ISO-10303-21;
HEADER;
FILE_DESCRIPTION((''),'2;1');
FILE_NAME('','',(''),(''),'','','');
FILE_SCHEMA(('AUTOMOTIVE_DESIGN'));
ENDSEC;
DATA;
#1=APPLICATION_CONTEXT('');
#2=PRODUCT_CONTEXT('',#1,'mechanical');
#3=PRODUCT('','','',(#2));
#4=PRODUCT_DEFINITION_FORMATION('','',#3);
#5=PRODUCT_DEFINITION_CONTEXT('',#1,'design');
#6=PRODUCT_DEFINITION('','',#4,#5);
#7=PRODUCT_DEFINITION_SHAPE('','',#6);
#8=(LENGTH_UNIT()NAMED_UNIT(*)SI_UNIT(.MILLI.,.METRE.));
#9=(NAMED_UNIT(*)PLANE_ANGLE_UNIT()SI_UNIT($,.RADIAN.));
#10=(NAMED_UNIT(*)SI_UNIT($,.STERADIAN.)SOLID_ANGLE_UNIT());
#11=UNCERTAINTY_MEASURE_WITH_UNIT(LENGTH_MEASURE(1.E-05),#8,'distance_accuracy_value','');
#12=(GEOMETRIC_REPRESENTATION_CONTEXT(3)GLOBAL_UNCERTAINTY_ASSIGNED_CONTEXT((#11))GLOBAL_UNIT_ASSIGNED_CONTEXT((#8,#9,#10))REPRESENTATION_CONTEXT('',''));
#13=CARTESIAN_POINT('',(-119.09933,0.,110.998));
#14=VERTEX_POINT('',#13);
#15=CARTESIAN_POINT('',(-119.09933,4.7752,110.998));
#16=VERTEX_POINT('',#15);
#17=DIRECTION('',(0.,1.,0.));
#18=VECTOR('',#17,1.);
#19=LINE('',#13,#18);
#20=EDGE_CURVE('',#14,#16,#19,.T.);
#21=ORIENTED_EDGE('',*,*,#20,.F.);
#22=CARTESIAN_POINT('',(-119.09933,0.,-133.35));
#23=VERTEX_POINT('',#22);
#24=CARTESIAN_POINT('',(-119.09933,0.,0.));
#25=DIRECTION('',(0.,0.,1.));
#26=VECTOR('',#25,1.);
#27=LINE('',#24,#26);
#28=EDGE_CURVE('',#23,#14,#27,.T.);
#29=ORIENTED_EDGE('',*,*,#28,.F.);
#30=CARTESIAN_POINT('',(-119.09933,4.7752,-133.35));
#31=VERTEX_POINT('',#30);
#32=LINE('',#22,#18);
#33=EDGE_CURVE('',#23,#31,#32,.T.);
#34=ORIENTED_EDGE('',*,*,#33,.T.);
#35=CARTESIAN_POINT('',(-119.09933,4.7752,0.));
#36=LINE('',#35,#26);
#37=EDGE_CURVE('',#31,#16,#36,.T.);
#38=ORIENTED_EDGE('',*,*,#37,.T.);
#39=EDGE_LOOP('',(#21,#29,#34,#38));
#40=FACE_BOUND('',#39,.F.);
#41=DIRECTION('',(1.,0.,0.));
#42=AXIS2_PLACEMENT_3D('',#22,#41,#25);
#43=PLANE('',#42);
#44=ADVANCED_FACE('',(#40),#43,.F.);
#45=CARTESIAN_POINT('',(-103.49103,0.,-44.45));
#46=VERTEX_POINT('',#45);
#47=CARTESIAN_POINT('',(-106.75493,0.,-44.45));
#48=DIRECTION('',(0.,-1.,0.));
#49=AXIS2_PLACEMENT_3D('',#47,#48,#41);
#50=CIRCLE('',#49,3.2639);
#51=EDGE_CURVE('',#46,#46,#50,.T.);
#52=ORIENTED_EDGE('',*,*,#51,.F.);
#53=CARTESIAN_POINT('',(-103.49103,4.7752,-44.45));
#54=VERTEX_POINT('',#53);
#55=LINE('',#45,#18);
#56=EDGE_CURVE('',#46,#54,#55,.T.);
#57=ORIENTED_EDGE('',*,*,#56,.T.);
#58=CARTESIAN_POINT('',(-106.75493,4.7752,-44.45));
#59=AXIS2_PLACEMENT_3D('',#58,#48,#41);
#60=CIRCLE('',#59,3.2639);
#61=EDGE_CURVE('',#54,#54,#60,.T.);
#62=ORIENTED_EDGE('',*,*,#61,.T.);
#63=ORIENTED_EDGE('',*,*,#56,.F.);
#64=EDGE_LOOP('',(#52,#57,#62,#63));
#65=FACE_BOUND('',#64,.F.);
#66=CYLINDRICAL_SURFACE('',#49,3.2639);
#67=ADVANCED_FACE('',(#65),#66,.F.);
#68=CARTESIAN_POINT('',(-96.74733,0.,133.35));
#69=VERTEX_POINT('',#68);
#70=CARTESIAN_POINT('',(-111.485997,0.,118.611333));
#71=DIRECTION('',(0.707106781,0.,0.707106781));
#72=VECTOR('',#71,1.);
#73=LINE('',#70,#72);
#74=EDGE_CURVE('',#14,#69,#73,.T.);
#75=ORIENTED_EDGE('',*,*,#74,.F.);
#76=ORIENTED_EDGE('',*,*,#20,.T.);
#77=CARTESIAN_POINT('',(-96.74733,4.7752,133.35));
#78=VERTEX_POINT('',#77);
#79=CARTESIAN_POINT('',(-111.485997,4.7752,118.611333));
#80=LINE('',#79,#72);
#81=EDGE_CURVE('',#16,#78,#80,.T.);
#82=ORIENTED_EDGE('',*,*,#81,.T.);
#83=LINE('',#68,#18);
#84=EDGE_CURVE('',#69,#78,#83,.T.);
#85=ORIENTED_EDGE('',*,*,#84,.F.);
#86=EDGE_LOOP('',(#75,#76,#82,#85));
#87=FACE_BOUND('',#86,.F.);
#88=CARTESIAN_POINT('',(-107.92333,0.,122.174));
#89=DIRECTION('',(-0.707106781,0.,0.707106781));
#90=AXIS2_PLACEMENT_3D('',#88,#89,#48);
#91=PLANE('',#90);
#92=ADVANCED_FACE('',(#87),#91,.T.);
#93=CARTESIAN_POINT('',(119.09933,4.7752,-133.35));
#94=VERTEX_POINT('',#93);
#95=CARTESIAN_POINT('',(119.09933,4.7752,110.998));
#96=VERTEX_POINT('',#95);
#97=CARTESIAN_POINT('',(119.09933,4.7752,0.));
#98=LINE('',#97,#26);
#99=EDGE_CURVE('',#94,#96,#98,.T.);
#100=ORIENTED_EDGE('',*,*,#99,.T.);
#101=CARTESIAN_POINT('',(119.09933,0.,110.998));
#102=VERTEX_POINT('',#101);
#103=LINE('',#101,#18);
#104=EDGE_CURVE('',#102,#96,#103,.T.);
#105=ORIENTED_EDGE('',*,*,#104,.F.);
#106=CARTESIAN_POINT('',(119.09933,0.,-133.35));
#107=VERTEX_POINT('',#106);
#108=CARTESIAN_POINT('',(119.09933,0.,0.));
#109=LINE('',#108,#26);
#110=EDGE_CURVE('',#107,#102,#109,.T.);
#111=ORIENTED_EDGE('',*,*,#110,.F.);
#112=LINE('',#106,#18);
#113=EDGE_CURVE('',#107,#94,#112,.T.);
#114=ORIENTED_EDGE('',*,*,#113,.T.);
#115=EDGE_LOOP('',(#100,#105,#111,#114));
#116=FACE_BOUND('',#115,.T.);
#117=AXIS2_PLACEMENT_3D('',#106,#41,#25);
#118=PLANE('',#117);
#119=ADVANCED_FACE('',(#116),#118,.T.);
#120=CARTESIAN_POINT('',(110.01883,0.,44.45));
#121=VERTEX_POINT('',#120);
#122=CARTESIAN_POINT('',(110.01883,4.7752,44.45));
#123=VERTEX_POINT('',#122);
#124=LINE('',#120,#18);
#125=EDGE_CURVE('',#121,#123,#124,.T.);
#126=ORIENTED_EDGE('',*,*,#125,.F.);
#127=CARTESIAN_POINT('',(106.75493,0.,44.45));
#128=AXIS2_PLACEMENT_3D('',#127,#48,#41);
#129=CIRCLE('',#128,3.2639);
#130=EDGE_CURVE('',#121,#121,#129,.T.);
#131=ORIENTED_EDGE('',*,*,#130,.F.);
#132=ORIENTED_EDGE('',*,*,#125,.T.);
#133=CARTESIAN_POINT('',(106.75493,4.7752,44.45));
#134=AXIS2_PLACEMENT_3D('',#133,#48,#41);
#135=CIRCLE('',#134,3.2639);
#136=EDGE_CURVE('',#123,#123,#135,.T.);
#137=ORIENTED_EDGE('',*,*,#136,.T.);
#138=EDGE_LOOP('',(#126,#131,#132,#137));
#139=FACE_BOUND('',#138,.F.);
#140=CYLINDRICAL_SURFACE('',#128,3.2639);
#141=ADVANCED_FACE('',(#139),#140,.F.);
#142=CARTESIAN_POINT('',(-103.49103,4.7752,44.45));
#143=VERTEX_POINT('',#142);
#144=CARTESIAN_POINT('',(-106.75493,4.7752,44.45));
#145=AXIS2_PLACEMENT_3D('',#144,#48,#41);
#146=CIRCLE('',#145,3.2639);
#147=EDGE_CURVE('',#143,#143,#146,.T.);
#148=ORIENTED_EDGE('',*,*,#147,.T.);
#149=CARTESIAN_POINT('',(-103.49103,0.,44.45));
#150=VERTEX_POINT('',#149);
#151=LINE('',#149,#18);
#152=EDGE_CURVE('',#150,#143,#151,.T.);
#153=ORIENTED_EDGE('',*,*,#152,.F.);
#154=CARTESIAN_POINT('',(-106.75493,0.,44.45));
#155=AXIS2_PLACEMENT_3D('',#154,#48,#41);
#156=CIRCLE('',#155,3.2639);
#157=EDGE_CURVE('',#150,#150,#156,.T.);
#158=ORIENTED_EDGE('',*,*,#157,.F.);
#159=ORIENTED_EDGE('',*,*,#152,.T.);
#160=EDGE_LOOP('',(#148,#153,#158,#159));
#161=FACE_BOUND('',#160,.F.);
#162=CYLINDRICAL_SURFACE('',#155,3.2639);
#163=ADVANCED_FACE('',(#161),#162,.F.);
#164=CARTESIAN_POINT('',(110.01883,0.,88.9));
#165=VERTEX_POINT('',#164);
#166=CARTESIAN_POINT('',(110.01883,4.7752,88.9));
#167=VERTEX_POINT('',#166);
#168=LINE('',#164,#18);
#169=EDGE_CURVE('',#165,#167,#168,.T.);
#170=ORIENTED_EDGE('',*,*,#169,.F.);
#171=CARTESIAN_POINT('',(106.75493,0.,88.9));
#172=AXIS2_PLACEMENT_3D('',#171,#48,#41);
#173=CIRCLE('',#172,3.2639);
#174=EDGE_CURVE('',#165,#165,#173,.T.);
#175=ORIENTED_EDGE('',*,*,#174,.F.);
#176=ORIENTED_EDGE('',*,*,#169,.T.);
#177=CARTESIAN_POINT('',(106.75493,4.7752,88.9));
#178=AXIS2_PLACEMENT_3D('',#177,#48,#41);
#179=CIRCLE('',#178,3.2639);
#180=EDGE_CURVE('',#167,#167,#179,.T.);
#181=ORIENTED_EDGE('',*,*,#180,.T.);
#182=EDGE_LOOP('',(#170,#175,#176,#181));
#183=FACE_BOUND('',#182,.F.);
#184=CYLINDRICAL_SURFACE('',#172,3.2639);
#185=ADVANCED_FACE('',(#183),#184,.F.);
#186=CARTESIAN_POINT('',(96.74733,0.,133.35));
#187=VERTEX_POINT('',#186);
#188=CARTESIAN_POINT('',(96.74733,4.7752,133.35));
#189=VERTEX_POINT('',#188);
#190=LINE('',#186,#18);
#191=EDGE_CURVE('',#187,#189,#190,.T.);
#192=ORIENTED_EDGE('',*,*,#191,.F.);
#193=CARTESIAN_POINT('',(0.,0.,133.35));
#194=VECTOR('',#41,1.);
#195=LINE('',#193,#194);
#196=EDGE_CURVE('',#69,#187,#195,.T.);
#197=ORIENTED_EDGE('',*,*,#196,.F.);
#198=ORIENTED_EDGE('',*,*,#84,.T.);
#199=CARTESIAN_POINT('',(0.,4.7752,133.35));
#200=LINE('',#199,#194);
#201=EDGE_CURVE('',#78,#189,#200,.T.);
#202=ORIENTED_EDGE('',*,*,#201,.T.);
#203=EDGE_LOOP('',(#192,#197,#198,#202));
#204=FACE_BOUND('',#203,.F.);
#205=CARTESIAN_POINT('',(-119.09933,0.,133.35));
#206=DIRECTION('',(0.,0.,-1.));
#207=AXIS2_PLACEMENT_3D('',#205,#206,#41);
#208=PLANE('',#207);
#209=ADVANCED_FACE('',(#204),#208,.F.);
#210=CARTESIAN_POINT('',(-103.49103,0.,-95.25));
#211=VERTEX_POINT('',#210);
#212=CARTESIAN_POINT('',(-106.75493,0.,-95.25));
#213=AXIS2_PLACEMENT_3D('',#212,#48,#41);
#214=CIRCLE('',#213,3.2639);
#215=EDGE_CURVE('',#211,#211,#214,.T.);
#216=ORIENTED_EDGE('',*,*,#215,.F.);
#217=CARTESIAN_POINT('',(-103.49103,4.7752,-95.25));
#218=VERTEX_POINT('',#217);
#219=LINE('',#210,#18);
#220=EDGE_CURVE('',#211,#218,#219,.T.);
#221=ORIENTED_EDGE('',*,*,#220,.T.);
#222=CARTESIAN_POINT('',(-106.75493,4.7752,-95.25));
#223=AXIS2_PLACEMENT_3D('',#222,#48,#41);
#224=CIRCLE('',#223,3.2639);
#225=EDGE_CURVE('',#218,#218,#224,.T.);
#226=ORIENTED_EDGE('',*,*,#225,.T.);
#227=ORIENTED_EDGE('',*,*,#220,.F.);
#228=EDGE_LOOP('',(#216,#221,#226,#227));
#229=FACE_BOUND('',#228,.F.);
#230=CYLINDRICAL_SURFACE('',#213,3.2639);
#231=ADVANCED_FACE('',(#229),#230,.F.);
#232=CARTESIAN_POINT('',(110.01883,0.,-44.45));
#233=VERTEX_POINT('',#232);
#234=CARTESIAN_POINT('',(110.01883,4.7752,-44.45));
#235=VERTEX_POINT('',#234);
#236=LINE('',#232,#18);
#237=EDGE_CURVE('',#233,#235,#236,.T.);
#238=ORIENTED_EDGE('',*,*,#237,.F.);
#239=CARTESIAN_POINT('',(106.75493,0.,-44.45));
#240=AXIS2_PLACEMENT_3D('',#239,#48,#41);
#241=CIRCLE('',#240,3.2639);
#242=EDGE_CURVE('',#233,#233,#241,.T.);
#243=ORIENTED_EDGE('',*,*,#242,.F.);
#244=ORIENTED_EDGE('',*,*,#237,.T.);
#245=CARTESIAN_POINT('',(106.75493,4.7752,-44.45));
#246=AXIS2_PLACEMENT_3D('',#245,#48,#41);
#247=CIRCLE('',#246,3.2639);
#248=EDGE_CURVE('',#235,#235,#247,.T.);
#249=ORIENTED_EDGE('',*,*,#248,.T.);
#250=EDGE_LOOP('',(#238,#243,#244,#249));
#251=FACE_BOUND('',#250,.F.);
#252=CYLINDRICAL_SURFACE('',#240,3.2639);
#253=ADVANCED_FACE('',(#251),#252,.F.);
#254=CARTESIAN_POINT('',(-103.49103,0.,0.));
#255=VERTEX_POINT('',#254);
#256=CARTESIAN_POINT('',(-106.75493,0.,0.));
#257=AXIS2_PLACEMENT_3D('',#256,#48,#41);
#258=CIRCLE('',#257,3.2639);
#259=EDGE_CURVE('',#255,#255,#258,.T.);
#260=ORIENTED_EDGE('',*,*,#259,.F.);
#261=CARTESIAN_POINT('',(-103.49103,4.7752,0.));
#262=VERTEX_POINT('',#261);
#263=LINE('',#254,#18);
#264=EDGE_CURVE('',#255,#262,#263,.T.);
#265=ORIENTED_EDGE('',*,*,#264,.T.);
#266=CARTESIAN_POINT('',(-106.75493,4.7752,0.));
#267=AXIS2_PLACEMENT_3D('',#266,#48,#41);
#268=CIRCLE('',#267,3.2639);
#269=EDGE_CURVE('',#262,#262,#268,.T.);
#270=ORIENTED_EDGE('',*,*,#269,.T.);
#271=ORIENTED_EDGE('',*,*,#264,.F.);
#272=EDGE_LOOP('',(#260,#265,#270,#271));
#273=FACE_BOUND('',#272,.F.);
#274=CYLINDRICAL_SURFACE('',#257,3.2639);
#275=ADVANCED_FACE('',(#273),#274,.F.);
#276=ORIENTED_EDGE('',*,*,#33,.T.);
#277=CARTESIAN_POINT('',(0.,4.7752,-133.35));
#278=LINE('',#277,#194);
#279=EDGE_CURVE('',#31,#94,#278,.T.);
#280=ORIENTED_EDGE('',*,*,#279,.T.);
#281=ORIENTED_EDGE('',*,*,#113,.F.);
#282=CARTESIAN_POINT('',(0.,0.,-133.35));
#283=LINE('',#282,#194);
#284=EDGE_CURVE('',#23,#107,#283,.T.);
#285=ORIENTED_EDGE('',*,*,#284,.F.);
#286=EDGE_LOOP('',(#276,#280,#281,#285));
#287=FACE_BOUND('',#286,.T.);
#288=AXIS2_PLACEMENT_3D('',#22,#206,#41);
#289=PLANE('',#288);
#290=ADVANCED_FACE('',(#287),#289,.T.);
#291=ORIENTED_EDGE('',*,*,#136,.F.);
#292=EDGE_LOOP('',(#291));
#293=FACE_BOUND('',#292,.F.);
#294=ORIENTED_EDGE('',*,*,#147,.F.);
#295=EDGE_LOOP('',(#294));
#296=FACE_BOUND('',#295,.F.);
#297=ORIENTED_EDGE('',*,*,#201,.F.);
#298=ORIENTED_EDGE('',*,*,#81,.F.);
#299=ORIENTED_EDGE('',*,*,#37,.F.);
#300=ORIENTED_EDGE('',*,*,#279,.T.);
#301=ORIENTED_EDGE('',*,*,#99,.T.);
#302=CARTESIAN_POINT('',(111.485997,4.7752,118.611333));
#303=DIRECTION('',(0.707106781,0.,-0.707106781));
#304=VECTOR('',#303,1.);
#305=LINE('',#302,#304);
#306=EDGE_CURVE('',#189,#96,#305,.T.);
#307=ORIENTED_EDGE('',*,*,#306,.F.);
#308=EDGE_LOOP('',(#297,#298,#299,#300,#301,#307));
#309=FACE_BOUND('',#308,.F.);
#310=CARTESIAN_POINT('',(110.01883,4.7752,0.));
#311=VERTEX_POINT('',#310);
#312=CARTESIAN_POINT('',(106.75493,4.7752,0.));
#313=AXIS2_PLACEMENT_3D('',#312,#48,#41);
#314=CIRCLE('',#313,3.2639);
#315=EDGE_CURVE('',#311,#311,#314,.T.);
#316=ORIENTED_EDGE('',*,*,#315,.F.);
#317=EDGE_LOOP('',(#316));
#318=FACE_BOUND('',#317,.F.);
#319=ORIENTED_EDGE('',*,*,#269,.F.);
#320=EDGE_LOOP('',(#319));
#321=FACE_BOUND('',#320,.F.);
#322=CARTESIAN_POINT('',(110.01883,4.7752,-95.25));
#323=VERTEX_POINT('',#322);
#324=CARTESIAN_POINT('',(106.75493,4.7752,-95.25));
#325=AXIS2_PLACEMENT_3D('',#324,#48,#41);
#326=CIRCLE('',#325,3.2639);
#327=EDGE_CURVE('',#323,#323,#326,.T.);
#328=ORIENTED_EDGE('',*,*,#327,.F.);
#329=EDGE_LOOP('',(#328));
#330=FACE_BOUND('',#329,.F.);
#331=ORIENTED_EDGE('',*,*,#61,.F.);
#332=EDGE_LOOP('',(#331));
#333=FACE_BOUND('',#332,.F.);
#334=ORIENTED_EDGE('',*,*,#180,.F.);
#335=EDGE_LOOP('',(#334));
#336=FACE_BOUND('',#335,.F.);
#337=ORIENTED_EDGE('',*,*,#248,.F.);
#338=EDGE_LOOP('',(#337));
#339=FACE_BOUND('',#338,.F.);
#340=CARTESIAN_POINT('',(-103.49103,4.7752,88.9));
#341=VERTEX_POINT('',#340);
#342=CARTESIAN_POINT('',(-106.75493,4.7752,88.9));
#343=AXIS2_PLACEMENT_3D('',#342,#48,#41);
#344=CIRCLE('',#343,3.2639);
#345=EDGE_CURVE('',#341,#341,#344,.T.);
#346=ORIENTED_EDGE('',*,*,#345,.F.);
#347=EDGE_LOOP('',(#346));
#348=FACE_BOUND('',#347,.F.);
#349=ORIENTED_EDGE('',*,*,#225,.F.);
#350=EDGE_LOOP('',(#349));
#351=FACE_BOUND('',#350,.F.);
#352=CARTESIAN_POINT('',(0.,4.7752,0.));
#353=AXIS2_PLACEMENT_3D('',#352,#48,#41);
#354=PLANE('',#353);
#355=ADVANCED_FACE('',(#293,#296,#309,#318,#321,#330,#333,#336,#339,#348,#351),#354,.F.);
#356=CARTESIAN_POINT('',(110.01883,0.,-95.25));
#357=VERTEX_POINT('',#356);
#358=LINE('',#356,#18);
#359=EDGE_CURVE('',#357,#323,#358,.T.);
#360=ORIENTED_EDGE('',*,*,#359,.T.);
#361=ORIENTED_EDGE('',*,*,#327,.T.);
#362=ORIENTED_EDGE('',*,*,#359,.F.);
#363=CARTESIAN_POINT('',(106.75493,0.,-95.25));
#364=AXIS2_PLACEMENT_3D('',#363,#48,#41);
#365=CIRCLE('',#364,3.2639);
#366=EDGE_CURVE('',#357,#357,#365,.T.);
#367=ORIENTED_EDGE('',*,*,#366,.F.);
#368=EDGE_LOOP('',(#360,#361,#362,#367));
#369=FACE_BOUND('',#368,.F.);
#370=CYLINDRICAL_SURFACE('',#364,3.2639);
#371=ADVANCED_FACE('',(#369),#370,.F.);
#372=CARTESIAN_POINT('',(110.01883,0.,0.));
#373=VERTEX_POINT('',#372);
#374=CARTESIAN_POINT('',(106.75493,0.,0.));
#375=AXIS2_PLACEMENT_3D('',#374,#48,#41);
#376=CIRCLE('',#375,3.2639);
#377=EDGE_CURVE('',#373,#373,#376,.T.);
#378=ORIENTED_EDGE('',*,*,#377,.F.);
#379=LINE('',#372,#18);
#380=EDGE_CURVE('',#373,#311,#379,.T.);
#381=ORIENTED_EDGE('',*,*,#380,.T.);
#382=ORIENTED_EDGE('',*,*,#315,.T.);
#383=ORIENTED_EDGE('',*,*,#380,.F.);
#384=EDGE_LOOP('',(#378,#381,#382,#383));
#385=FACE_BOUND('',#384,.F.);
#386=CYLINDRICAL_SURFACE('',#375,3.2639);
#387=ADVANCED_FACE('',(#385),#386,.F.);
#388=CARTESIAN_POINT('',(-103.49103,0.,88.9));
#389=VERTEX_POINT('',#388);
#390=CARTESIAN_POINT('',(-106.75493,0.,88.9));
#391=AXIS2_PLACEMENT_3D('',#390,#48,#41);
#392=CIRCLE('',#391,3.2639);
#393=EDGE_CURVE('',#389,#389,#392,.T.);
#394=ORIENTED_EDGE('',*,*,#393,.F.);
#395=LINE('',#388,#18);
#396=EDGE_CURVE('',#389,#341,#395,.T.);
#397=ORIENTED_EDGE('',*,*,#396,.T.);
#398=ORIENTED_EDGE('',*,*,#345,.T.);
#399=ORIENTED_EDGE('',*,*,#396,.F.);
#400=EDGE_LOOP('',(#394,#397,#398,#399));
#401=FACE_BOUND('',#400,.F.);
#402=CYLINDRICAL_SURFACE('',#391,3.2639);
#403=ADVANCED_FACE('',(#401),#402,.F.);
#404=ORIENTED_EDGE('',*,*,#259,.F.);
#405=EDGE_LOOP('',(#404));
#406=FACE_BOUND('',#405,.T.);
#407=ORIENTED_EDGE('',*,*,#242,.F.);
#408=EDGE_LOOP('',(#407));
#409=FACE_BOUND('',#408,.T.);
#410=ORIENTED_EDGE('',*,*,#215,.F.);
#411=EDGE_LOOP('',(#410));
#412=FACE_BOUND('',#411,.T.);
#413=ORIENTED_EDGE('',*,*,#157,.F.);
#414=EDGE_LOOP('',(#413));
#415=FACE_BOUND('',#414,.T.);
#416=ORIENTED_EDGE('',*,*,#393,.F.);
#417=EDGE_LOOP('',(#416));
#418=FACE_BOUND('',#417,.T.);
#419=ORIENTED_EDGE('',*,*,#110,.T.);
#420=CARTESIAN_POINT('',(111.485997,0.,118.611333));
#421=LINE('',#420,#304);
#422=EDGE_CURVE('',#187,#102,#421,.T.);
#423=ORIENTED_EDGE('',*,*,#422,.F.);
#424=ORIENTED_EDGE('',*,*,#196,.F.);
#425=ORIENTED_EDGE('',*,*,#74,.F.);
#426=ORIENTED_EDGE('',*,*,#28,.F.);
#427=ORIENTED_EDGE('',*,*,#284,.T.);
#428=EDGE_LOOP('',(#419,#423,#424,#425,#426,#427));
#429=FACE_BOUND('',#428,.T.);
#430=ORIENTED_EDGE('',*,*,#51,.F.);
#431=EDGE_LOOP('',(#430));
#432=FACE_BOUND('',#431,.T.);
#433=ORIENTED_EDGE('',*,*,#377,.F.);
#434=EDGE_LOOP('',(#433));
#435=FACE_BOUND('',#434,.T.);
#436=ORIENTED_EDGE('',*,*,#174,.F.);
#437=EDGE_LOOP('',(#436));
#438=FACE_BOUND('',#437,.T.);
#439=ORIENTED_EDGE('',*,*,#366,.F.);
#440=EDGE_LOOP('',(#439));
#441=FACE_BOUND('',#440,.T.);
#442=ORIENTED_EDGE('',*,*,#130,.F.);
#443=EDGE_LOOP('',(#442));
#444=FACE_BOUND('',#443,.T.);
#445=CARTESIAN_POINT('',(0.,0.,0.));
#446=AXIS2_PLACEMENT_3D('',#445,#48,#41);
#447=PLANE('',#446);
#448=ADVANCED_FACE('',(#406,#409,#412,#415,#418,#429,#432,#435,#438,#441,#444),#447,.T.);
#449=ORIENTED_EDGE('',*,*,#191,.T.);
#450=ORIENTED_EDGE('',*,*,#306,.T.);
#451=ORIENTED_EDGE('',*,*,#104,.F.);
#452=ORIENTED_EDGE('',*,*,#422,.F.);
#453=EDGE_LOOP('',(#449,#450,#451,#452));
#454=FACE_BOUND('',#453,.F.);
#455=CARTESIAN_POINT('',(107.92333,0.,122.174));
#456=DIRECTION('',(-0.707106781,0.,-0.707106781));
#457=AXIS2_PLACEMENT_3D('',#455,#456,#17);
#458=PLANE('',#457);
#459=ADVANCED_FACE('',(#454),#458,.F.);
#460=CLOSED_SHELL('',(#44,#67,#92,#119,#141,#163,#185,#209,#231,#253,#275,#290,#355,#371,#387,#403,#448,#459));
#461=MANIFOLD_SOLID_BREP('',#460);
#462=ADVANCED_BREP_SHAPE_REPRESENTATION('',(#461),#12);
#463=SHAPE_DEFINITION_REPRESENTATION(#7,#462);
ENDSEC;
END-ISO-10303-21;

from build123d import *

# Parameters (mm, degrees)
F0_W     = 238.19866
F0_H     = 266.7
F0_R     = 3.2639
F1_DEPTH = 4.7752
F2_SIZE  = 22.352


with BuildPart() as f1:
    # F0 (on Front) → F1 (new body)
    with BuildSketch(Plane.XZ):
        Rectangle(F0_W, F0_H)
        with Locations((-106.75493, -95.25)):
            Circle(F0_R, mode=Mode.SUBTRACT)
        with Locations((-106.75493, -44.45)):
            Circle(F0_R, mode=Mode.SUBTRACT)
        with Locations((106.75493, -95.25)):
            Circle(F0_R, mode=Mode.SUBTRACT)
        with Locations((106.75493, -44.45)):
            Circle(F0_R, mode=Mode.SUBTRACT)
        with Locations((-106.75493, 0)):
            Circle(F0_R, mode=Mode.SUBTRACT)
        with Locations((-106.75493, 44.45)):
            Circle(F0_R, mode=Mode.SUBTRACT)
        with Locations((-106.75493, 88.9)):
            Circle(F0_R, mode=Mode.SUBTRACT)
        with Locations((106.75493, 0)):
            Circle(F0_R, mode=Mode.SUBTRACT)
        with Locations((106.75493, 44.45)):
            Circle(F0_R, mode=Mode.SUBTRACT)
        with Locations((106.75493, 88.9)):
            Circle(F0_R, mode=Mode.SUBTRACT)
    extrude(amount=-F1_DEPTH)

    # F2
    f2_edges = [f1.edges().sort_by_distance(p)[0] for p in [
        (119.09933, 2.3876, 133.35),
        (-119.09933, 2.3876, 133.35),
    ]]
    chamfer(f2_edges, length=F2_SIZE)


solid = f1.part
